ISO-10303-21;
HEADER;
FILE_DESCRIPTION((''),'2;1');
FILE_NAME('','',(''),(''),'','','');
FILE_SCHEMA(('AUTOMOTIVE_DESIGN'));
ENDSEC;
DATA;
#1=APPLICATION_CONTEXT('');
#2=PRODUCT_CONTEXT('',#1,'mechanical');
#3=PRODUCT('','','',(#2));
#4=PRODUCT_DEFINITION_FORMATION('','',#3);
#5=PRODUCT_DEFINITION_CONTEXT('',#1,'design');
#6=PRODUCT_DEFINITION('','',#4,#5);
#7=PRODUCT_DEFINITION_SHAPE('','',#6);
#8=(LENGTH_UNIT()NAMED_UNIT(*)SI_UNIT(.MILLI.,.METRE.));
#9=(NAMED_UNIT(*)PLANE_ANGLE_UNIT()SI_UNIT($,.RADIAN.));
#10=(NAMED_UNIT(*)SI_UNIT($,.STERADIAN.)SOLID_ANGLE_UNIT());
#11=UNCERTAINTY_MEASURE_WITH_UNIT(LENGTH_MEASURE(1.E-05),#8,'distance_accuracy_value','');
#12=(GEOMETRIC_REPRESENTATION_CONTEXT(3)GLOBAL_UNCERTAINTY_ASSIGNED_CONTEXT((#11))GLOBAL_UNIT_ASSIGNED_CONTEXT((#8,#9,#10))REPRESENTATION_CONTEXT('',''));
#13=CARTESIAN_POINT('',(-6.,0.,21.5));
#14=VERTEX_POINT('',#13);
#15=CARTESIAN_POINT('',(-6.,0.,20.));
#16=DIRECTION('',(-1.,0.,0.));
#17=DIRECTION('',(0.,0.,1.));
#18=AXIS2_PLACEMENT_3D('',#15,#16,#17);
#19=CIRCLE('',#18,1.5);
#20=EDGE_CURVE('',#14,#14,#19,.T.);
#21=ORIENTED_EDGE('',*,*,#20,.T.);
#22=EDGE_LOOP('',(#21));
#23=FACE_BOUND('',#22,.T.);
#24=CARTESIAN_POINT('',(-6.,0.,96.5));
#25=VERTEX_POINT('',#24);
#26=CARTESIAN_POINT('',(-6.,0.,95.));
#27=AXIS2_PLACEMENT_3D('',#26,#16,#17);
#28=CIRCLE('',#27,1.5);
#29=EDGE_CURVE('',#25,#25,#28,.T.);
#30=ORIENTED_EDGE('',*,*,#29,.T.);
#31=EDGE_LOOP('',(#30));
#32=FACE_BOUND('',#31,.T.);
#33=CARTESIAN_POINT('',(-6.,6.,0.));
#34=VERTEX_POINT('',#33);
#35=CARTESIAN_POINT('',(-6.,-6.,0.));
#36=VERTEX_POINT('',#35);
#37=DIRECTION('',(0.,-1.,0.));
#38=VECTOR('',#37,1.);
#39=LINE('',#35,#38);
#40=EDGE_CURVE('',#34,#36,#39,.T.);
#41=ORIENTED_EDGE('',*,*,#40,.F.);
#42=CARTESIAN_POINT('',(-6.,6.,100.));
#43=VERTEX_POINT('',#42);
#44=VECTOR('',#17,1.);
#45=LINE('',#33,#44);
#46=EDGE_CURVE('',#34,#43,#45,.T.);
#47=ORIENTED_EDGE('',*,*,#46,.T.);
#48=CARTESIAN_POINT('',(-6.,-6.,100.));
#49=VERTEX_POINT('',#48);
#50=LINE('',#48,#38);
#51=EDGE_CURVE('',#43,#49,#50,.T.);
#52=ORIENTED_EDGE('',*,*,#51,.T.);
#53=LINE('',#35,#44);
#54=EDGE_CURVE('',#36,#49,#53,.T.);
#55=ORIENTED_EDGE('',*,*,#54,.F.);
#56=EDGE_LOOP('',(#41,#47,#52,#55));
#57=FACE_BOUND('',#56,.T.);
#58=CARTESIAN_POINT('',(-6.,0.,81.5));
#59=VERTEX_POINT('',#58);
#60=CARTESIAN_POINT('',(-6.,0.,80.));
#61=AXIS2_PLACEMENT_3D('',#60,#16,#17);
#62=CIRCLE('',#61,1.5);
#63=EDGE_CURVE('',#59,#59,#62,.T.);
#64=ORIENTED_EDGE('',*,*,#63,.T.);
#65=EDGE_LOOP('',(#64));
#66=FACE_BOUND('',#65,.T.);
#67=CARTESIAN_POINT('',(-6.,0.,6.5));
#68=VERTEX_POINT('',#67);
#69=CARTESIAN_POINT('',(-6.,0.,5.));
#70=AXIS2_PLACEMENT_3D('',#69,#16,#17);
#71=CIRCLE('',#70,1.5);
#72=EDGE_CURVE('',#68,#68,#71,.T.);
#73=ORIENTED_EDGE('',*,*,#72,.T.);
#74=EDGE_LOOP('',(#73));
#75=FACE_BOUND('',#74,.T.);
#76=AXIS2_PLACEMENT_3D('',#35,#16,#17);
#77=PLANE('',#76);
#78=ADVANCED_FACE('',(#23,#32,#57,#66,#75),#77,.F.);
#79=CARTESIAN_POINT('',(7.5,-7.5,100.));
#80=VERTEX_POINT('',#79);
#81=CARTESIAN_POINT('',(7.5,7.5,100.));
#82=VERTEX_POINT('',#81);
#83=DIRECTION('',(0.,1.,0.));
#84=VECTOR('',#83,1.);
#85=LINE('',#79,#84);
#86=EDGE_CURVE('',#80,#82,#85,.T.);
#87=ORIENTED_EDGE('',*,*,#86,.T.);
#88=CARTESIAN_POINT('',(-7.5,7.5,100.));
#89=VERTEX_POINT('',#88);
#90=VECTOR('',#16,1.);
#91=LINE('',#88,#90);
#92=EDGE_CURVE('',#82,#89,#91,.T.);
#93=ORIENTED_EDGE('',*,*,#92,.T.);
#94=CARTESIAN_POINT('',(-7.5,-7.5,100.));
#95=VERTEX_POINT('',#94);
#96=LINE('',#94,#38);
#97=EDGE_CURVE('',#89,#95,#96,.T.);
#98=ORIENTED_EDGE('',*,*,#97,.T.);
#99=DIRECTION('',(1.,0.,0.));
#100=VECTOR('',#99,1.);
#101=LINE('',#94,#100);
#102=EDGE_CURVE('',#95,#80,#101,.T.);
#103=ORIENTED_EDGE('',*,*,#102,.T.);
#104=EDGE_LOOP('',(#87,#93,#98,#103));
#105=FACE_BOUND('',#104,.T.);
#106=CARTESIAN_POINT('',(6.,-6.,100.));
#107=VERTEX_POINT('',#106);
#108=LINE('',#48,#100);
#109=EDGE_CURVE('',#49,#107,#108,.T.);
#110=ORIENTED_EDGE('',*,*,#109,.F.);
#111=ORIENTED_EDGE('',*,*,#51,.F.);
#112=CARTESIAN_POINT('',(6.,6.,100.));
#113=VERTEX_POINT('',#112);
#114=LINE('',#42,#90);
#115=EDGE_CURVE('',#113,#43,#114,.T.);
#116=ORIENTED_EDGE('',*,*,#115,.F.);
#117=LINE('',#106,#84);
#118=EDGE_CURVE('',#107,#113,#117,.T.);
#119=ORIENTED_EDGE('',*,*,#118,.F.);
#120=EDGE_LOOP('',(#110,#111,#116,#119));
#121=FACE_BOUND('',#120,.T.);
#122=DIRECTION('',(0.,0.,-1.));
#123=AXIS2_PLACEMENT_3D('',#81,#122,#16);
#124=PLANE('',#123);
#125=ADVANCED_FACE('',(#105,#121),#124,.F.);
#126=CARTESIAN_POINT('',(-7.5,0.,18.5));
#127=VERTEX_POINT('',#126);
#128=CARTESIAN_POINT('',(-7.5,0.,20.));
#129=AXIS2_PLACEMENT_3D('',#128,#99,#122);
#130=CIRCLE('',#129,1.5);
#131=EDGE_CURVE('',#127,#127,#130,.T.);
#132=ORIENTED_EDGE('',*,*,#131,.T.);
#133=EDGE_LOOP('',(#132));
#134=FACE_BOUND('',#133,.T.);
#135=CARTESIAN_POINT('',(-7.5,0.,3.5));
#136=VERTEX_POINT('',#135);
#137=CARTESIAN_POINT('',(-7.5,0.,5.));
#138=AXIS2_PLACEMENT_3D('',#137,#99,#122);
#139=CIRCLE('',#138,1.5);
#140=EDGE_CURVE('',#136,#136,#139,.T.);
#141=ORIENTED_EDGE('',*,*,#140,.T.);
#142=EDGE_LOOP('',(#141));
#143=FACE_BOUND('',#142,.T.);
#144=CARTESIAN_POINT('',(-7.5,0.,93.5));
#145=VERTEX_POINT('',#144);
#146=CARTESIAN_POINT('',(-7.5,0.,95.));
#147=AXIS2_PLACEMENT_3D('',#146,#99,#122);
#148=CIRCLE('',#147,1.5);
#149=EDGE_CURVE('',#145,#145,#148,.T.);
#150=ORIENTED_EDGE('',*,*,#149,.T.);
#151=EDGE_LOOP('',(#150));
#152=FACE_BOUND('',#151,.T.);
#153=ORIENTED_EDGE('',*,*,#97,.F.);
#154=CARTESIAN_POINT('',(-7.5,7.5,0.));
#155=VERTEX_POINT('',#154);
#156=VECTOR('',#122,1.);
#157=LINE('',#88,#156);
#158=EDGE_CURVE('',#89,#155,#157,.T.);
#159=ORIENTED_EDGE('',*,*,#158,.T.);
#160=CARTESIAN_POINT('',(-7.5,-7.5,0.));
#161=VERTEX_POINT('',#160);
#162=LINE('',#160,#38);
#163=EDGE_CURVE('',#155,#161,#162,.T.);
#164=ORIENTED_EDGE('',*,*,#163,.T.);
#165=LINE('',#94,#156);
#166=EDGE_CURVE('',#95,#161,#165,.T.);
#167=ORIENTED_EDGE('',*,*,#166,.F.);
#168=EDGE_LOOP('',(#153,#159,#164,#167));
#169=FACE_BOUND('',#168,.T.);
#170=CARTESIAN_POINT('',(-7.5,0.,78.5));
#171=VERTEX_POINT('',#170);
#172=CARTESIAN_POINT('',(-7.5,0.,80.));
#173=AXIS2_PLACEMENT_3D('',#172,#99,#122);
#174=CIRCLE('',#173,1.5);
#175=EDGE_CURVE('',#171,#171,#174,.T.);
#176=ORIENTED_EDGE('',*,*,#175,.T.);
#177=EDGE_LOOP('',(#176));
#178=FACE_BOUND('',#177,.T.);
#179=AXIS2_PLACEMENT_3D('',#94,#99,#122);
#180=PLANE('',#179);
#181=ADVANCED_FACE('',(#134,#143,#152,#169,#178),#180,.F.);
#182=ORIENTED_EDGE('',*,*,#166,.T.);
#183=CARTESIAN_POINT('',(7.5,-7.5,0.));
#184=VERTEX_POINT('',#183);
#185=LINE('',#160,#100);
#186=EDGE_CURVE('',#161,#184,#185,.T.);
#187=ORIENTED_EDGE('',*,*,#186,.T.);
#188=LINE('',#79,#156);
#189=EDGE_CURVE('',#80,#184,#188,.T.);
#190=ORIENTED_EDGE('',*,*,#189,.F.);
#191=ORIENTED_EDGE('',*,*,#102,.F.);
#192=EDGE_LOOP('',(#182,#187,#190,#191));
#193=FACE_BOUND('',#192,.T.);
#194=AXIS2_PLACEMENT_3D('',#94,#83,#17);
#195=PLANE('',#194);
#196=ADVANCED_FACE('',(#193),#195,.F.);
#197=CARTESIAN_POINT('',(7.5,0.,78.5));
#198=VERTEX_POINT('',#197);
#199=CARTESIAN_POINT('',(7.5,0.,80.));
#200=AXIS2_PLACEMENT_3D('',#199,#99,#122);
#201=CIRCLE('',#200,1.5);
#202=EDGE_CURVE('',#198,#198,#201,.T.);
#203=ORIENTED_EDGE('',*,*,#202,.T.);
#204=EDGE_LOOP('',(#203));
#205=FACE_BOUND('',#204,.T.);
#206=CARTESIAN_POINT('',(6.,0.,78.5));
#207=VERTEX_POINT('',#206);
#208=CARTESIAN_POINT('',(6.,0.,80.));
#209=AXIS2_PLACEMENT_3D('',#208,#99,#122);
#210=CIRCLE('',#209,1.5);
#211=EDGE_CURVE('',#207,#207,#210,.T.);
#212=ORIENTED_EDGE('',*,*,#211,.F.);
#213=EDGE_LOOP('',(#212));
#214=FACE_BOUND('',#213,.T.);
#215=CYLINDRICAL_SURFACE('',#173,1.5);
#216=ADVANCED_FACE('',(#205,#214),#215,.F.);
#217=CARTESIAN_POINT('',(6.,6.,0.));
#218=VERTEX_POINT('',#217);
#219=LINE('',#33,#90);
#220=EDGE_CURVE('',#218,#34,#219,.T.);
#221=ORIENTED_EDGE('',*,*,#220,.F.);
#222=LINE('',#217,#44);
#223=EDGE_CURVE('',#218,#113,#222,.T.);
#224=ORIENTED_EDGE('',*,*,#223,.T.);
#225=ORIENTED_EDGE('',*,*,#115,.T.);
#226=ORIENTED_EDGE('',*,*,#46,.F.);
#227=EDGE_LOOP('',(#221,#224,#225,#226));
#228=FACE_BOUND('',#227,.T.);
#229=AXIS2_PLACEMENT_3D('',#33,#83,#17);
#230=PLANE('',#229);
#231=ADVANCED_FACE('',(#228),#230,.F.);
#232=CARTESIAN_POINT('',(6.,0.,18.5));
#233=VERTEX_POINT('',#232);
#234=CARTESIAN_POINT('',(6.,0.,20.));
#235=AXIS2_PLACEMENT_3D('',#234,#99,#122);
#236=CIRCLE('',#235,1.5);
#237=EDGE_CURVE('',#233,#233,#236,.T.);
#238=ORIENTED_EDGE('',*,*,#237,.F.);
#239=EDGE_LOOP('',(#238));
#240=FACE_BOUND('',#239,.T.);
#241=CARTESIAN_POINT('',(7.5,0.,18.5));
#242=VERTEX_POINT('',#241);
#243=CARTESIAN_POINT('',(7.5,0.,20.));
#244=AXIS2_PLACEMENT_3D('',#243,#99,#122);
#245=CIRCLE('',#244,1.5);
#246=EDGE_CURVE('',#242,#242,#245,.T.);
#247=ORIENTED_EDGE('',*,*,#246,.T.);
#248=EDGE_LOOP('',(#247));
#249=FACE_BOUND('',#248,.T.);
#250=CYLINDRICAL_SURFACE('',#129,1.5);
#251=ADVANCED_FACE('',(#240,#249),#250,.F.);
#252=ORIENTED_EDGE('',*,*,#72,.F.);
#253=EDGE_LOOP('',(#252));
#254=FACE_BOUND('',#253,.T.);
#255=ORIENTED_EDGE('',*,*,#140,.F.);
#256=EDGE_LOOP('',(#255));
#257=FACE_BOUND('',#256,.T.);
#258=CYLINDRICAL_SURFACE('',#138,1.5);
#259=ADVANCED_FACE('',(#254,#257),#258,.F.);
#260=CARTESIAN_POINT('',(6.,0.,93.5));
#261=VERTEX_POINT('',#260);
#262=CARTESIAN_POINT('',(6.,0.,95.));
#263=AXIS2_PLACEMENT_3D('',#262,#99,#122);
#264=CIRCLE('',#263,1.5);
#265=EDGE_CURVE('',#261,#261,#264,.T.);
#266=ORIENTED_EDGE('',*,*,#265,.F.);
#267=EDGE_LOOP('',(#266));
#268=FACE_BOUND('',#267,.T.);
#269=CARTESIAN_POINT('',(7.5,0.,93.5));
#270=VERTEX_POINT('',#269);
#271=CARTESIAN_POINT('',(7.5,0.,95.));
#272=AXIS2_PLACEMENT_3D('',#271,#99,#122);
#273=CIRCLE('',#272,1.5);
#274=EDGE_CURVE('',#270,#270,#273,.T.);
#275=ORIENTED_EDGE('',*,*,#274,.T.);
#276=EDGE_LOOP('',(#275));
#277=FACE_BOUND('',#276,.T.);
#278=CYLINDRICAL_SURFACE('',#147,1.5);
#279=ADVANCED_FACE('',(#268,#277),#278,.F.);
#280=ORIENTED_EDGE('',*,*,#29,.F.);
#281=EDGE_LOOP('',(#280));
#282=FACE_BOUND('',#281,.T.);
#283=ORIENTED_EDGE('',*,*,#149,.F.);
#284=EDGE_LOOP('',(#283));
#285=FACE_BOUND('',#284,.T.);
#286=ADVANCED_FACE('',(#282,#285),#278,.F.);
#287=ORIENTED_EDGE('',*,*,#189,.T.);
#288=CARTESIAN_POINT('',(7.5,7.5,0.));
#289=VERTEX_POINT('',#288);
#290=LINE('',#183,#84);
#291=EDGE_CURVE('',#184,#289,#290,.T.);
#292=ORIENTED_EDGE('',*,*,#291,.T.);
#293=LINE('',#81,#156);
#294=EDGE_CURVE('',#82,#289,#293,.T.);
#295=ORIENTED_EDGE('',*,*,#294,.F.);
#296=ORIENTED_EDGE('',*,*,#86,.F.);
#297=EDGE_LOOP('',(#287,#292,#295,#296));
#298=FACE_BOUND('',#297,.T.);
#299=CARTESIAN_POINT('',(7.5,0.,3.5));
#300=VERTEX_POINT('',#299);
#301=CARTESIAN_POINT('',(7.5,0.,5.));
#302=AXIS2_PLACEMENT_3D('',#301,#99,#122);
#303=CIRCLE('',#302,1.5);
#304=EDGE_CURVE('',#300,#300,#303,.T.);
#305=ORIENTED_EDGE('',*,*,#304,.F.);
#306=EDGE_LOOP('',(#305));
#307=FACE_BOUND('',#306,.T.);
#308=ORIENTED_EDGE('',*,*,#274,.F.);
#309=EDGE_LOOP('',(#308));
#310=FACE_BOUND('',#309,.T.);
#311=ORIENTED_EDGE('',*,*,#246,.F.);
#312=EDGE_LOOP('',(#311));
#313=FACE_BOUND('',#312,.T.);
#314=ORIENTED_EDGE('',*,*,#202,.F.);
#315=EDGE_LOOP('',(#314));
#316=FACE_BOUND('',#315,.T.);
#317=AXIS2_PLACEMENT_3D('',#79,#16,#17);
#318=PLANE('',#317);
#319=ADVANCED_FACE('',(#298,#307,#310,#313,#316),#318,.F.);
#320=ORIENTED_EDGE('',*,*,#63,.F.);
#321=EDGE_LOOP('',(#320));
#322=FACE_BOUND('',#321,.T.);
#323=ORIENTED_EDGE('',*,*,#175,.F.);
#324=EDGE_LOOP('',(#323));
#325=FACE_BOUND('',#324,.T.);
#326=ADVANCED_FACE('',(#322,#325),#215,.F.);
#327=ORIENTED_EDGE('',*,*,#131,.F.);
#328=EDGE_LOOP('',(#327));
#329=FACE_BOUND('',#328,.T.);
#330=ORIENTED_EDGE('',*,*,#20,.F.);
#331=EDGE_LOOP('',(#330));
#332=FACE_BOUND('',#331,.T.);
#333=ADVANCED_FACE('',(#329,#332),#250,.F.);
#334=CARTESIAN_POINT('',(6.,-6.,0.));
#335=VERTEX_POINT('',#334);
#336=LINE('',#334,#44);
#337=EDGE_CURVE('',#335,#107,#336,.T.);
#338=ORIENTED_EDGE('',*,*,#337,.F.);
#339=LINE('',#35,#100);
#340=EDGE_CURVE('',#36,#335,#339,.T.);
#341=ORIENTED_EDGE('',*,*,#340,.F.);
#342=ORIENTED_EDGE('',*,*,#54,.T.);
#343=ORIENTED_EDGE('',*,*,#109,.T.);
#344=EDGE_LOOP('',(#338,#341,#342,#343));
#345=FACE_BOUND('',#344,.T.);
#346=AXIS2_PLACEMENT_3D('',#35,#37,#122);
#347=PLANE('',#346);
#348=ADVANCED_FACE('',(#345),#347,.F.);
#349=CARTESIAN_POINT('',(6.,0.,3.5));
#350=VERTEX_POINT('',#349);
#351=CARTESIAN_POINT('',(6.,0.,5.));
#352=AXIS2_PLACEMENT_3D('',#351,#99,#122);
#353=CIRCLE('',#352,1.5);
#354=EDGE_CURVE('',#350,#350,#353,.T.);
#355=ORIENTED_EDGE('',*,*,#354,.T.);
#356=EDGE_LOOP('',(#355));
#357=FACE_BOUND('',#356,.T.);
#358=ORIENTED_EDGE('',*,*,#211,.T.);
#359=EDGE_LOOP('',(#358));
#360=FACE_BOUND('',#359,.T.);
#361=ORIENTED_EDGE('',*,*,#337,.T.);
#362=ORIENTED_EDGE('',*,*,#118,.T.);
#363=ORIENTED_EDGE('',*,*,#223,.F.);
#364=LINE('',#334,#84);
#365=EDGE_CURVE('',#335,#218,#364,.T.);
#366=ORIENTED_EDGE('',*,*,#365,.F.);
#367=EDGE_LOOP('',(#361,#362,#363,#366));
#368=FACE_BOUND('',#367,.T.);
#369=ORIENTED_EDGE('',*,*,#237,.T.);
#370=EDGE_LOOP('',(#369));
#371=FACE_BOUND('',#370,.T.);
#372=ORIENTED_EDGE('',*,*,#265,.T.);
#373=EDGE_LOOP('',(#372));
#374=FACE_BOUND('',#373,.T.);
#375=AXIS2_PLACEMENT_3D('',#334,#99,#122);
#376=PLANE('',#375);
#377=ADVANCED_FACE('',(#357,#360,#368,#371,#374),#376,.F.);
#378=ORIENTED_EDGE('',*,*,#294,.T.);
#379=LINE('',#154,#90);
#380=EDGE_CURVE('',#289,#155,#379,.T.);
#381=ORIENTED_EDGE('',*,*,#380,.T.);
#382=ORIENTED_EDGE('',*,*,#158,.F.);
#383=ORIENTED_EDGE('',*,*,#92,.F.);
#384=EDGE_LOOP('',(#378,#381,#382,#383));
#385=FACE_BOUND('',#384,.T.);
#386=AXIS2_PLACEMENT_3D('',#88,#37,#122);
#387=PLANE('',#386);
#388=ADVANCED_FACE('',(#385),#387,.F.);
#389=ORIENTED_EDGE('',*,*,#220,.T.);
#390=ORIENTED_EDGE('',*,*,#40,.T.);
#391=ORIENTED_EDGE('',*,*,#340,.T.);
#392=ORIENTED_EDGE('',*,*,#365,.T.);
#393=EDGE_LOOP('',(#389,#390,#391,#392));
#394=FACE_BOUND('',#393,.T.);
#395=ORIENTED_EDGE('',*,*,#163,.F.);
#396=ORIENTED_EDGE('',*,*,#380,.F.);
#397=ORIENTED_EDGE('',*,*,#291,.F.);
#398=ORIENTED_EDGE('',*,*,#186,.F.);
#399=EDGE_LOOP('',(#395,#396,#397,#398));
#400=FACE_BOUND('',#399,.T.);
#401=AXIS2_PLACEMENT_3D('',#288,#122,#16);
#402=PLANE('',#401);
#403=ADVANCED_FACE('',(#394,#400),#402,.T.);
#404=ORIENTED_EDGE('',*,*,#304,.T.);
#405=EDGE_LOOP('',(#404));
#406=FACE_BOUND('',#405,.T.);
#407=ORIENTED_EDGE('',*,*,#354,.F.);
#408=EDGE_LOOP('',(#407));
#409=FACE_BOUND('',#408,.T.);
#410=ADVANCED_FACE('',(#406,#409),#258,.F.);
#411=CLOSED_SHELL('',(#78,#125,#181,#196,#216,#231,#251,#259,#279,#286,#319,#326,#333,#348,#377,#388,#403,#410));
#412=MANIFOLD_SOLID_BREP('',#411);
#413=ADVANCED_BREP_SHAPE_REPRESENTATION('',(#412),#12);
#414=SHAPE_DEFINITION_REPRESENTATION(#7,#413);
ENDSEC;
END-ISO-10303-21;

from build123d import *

# Parameters (mm, degrees)
ESQUISSE1_W             = 15
ESQUISSE1_H             = 15
EXTRUSION1_DEPTH        = 100
ESQUISSE2_W             = 12
ESQUISSE2_H             = 12
EXTRUSION2_DEPTH        = 101.560926806
ESQUISSE3_R             = 1.5
ENL_V_MAT_EXTRU_1_DEPTH = 102.396498953
ESQUISSE4_R             = 1.5
ENL_V_MAT_EXTRU_2_DEPTH = 102.396498953
ESQUISSE5_R             = 1.5
ENL_V_MAT_EXTRU_3_DEPTH = 102.396498953


with BuildPart() as part:
    # Esquisse1 → Extrusion1 (new body)
    with BuildSketch(Plane.XY):
        Rectangle(ESQUISSE1_W, ESQUISSE1_H)
    extrude(amount=EXTRUSION1_DEPTH)

    # Esquisse2 → Extrusion2 (cut, through all)
    with BuildSketch(Plane.XY.offset(100)):
        Rectangle(ESQUISSE2_W, ESQUISSE2_H)
    extrude(amount=-EXTRUSION2_DEPTH, mode=Mode.SUBTRACT)

    # Esquisse3 → Enlèv. mat.-Extru.1 (cut, through all)
    with BuildSketch(Plane(origin=(7.5, 0, 0), x_dir=(0, 0, -1), z_dir=(1, 0, 0))):
        with Locations((-5, 0)):
            Circle(ESQUISSE3_R)
    extrude(amount=-ENL_V_MAT_EXTRU_1_DEPTH, mode=Mode.SUBTRACT)

    # Esquisse4 → Enlèv. mat.-Extru.2 (cut, through all)
    with BuildSketch(Plane(origin=(7.5, 0, 0), x_dir=(0, 0, -1), z_dir=(1, 0, 0))):
        with Locations((-20, 0)):
            Circle(ESQUISSE4_R)
    extrude(amount=-ENL_V_MAT_EXTRU_2_DEPTH, mode=Mode.SUBTRACT)

    # Esquisse5 → Enlèv. mat.-Extru.3 (cut, through all)
    with BuildSketch(Plane(origin=(7.5, 0, 0), x_dir=(0, 0, -1), z_dir=(1, 0, 0))):
        with Locations((-95, 0)):
            Circle(ESQUISSE5_R)
        with Locations((-80, 0)):
            Circle(ESQUISSE5_R)
    extrude(amount=-ENL_V_MAT_EXTRU_3_DEPTH, mode=Mode.SUBTRACT)


solid = part.part
